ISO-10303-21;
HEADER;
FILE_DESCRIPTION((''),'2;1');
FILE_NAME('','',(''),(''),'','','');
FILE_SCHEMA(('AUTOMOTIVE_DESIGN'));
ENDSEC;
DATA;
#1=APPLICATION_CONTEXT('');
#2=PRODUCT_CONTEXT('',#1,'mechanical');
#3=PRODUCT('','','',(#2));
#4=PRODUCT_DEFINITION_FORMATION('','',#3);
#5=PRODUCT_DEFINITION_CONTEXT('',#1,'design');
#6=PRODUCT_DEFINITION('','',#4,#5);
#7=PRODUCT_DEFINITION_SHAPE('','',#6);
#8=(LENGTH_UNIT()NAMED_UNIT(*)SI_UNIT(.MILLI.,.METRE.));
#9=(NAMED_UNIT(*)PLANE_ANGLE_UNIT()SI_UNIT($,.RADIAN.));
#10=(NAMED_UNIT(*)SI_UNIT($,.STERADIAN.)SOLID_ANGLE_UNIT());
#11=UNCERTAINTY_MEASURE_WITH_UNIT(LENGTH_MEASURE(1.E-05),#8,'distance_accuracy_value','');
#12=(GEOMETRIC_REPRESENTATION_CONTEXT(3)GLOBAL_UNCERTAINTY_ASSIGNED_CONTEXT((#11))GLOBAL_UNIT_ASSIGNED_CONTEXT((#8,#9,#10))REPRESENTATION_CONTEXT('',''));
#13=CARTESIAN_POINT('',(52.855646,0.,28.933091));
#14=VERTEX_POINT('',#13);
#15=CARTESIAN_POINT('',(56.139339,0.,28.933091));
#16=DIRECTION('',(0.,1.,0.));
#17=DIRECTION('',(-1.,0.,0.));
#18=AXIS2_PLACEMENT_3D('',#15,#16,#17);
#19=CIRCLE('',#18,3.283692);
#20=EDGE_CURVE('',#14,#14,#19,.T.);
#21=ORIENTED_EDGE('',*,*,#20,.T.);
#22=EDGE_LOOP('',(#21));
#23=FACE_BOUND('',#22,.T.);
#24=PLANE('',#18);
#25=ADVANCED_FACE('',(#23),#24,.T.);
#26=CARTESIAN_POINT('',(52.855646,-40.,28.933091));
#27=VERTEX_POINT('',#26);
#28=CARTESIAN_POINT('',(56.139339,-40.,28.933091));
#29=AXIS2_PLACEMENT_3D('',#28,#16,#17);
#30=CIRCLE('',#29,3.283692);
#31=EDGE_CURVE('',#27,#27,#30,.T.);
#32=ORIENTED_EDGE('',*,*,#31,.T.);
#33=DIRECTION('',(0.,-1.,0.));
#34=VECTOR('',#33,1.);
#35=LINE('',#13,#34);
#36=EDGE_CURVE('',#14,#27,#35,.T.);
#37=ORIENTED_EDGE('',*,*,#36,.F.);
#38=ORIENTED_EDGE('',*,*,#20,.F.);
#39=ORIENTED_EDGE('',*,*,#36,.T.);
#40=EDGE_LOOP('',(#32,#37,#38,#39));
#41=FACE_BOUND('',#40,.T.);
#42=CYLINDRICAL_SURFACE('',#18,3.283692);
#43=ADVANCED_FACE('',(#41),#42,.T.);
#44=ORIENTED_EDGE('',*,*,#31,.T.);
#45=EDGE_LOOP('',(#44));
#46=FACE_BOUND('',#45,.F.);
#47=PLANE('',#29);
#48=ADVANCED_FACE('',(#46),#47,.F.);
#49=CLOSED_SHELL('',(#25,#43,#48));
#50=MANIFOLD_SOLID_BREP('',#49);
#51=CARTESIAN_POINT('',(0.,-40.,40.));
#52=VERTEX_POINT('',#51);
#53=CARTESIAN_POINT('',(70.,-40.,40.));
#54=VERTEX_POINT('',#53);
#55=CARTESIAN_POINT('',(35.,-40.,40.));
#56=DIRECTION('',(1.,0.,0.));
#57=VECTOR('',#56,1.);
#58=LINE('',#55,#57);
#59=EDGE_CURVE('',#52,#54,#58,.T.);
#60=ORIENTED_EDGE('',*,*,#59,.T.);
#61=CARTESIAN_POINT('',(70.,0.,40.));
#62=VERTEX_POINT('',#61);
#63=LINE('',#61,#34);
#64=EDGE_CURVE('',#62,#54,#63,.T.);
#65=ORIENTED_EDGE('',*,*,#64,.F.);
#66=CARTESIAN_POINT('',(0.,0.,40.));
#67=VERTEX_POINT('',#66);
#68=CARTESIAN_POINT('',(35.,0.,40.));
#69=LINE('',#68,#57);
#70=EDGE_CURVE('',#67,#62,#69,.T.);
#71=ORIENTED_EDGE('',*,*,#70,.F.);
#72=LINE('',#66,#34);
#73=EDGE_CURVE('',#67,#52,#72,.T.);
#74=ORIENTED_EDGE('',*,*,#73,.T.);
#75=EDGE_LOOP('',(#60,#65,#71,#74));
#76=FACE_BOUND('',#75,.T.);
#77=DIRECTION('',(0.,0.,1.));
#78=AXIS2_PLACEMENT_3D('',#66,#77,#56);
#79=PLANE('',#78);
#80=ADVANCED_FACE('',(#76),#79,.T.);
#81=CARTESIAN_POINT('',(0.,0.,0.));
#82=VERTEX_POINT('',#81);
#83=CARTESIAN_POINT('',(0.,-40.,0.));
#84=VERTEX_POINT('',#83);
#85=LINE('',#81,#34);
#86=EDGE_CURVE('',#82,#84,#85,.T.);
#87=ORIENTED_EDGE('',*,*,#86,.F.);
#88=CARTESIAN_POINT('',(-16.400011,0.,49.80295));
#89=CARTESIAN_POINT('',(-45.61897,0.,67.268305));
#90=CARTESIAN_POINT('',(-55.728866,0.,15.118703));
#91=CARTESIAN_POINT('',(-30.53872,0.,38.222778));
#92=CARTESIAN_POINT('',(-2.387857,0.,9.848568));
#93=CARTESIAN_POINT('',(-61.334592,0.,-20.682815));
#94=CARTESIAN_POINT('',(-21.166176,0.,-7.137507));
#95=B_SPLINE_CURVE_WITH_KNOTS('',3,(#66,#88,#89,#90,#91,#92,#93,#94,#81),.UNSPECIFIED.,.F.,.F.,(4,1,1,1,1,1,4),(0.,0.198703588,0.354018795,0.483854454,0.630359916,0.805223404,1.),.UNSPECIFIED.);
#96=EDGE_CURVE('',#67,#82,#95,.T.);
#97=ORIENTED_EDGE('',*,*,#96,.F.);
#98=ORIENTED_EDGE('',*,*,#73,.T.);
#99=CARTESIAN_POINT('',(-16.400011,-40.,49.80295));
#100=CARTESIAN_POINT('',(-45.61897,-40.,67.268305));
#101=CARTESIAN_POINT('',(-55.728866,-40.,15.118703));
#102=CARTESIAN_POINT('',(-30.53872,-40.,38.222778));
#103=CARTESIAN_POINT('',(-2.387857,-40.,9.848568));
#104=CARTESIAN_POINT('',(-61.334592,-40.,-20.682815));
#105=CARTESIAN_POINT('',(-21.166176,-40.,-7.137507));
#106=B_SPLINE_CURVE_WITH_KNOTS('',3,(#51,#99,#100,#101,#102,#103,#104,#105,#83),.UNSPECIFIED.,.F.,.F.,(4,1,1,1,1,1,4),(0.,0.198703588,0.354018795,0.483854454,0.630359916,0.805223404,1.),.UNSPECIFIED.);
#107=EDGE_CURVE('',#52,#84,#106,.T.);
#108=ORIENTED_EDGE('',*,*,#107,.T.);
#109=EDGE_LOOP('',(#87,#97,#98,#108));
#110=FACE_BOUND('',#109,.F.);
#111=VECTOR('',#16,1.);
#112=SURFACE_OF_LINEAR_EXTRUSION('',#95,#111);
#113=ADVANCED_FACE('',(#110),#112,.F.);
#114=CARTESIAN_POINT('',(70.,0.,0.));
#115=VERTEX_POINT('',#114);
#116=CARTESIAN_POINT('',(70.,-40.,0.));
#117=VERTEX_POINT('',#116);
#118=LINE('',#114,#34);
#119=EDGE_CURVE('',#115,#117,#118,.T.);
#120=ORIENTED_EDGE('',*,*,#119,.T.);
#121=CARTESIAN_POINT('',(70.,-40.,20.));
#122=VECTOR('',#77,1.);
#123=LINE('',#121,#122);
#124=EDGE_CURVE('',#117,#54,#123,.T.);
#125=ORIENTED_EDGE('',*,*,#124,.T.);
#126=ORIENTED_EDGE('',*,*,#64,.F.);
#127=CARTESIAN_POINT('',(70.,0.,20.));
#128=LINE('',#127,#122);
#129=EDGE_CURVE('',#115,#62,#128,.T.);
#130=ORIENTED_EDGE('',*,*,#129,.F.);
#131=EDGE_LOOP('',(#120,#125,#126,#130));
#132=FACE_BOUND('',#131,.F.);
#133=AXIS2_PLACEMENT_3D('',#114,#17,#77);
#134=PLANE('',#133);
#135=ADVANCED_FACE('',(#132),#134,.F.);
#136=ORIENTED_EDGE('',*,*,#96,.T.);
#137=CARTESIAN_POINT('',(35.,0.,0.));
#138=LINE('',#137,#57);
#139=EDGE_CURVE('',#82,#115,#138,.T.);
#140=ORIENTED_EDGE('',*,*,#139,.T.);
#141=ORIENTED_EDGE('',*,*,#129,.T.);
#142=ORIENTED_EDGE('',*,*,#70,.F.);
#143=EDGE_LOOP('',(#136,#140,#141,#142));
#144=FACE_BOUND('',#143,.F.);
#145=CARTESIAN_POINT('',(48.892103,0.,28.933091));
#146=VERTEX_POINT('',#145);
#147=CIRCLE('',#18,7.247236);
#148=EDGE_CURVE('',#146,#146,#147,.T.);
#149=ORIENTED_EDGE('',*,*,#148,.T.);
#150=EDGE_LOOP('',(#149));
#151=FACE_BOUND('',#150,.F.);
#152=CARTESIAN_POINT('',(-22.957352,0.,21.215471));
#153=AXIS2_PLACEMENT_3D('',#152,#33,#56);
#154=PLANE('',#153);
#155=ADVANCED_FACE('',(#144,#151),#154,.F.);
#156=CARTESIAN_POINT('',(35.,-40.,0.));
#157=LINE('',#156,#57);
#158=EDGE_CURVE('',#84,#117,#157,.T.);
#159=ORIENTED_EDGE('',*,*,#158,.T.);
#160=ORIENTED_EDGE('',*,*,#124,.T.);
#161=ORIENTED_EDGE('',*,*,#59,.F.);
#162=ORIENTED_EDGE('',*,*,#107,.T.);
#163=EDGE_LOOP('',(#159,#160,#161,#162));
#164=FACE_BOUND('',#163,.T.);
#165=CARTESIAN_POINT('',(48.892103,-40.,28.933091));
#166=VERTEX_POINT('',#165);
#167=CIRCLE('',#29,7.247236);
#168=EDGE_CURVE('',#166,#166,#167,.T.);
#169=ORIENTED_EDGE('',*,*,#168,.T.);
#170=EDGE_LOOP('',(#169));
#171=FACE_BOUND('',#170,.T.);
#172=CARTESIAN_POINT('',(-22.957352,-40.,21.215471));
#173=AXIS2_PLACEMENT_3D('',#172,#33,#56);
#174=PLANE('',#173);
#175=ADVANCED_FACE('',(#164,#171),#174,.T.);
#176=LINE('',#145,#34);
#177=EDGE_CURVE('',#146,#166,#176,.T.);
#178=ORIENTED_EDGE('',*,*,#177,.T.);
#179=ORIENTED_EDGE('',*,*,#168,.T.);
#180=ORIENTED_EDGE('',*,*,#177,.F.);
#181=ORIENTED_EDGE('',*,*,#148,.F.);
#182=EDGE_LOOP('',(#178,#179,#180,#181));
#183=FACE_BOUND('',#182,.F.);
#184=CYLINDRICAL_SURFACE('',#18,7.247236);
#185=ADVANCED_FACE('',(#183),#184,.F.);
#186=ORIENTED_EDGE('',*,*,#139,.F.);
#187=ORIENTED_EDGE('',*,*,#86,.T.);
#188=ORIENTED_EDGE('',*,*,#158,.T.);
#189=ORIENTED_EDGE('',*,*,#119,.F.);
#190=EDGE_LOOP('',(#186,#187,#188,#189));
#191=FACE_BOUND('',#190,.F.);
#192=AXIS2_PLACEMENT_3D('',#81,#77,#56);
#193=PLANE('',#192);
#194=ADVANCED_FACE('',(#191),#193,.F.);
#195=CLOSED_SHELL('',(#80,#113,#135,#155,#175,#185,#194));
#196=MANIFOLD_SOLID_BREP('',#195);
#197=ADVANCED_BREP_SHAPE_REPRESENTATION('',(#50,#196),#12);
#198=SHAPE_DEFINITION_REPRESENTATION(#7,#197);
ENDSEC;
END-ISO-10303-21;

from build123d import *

# Parameters (mm, degrees)
F0_W     = 70
F0_H     = 40
F1_DEPTH = 40
F3_DEPTH = 40
F4_R     = 7.2472355799
F5_DEPTH = 110.5
F6_R     = 3.2836923738
F7_DEPTH = 40


with BuildPart() as f1:
    # F0 (on Front) → F1 (new body)
    with BuildSketch(Plane.XZ):
        with Locations((35, 20)):
            Rectangle(F0_W, F0_H)
    extrude(amount=F1_DEPTH)

    # F2 (on face) → F3 (join)
    with BuildSketch(Plane(origin=(0, 0, 0), x_dir=(-1, 0, 0), z_dir=(0, 1, 0))):
        with BuildLine():
            add(Edge.make_bspline(
                [(0, 40), (16.4000109054, 49.8029504665), (45.6189704307, 67.2683054933), (55.7288663538, 15.1187025805), (30.5387197793, 38.2227775428), (2.3878570655, 9.8485680422), (61.334591754, -20.6828145959), (21.166176394, -7.1375073925), (0, 0)],
                knots=[0, 0, 0, 0, 0.1987035882, 0.3540187951, 0.4838544539, 0.6303599159, 0.8052234037, 1, 1, 1, 1], degree=3))
            Line((0, 40), (0, 0))
        make_face()
    extrude(amount=-F3_DEPTH)

    # F4 (on face) → F5 (cut)
    with BuildSketch(Plane(origin=(0, 0, 0), x_dir=(-1, 0, 0), z_dir=(0, 1, 0))):
        with Locations((-56.1393387616, 28.9330910891)):
            Circle(F4_R)
    extrude(amount=-F5_DEPTH, mode=Mode.SUBTRACT)


with BuildPart() as f7:
    # F6 (on face) → F7 (new body)
    with BuildSketch(Plane(origin=(0, 0, 0), x_dir=(-1, 0, 0), z_dir=(0, 1, 0))):
        with Locations((-56.1393387616, 28.9330910891)):
            Circle(F6_R)
    extrude(amount=-F7_DEPTH)


solid = Compound([f1.part, f7.part])
